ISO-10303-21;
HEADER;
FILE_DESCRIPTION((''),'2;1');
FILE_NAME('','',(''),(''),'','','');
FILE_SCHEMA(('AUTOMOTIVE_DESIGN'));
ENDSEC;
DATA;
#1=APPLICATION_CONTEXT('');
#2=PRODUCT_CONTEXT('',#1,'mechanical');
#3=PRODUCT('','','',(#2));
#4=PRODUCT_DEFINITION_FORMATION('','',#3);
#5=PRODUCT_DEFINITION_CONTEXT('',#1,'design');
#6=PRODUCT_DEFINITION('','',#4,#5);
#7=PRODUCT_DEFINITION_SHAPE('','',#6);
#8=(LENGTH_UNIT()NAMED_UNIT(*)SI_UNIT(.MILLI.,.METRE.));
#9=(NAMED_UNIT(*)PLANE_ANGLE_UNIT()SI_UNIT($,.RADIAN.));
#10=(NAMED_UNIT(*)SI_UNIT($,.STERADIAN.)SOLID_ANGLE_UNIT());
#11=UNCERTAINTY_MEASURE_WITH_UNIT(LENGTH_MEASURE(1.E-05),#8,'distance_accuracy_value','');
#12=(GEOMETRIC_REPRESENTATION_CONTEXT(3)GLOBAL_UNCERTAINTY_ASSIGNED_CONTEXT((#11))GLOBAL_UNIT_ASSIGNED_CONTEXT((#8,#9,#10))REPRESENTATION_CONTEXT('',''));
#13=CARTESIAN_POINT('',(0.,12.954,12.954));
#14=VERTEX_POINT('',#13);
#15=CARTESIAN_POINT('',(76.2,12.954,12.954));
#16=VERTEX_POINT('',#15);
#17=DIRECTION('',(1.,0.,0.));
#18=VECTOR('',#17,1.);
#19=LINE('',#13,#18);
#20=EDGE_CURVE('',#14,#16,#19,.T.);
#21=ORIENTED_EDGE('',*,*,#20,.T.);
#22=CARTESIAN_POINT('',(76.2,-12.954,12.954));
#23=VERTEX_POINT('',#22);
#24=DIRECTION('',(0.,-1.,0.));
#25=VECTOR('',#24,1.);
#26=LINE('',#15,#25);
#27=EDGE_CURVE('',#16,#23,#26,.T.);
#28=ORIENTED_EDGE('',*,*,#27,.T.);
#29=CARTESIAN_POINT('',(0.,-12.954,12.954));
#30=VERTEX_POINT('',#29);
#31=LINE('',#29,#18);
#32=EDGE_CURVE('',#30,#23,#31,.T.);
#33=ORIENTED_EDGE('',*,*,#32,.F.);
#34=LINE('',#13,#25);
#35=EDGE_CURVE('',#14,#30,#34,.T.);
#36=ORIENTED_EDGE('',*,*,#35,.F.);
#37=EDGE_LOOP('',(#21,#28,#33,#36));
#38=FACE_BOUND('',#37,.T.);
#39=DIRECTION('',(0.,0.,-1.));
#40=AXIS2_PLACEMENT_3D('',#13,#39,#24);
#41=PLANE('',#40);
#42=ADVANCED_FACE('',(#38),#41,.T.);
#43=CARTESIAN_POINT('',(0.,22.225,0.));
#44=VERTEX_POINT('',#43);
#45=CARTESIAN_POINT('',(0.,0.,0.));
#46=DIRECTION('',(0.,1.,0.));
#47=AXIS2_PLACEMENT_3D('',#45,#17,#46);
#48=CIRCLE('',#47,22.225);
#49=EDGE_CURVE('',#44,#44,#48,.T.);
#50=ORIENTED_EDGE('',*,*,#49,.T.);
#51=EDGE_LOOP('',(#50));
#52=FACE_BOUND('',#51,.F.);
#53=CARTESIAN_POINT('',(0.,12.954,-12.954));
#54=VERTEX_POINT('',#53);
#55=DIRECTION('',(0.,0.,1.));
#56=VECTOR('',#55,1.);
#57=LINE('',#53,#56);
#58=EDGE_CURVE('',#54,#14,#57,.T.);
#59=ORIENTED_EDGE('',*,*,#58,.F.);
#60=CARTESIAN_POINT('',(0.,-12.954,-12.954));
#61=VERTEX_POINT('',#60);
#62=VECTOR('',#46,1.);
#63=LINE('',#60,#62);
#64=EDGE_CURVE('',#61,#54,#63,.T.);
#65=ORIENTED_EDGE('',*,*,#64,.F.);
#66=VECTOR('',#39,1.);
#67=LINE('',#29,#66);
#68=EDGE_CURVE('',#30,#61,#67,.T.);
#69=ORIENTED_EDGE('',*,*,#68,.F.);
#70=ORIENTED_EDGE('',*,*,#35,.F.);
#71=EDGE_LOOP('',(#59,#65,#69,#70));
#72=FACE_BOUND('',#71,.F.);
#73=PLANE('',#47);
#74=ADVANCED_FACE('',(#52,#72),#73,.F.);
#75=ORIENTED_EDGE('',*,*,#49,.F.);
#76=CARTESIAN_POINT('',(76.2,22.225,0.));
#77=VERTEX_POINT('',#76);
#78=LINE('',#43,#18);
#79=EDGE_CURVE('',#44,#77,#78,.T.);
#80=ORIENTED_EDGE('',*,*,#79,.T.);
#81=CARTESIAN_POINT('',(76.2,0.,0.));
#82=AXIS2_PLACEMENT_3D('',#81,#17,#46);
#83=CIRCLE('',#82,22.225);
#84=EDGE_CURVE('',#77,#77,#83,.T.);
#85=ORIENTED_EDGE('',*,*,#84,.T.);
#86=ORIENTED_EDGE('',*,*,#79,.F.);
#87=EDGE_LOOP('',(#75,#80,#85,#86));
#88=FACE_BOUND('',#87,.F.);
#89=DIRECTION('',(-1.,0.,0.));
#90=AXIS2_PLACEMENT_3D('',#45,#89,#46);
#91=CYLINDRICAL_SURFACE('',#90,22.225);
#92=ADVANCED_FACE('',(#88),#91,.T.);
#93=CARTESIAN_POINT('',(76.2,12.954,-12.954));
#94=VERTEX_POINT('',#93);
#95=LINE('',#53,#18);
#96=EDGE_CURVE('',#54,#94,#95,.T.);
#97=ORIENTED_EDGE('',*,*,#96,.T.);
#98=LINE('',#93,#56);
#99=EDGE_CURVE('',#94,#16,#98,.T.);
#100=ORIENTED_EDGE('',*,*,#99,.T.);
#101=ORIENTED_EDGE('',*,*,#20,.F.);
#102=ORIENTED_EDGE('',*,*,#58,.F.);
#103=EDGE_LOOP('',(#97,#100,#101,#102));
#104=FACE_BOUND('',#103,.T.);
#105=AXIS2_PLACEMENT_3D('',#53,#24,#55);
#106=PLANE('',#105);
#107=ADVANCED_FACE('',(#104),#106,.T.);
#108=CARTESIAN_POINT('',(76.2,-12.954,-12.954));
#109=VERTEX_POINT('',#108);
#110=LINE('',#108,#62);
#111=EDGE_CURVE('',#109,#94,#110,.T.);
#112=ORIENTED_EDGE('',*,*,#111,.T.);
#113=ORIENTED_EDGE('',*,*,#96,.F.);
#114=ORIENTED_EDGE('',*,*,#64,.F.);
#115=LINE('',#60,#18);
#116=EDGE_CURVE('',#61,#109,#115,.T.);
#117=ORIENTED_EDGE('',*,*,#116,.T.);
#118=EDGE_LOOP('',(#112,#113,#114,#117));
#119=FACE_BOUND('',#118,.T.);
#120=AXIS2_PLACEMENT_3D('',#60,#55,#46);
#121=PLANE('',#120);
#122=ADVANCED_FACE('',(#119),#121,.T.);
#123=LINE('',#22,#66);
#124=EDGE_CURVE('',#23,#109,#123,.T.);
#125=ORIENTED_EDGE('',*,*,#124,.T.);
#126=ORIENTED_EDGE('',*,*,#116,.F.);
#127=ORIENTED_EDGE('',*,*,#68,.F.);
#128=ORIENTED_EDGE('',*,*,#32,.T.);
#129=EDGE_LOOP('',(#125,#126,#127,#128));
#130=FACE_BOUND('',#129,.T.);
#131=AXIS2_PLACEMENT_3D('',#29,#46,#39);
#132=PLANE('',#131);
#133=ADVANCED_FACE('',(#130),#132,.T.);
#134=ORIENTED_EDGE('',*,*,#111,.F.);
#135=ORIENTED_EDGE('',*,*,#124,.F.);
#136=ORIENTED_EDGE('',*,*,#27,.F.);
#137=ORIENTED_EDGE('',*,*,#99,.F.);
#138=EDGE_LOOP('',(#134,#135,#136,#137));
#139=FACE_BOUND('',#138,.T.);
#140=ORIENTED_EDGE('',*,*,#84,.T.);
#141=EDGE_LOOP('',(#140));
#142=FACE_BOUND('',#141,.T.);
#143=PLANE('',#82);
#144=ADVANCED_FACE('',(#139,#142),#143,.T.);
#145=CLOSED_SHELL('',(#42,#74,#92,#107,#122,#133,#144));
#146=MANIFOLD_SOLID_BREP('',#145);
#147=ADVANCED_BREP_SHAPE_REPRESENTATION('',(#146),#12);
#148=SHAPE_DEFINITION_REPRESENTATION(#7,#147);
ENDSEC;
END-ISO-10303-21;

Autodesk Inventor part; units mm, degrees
ref_plane "YZ Plane" through (0, 0, 0) normal (1, 0, 0) x (0, 1, 0)
ref_plane "XZ Plane" through (0, 0, 0) normal (0, 1, 0) x (-1, 0, 0)
ref_plane "XY Plane" through (0, 0, 0) normal (0, 0, 1) x (1, 0, 0)
sketch "Sketch1" plane through (0, 0, 0) normal (1, 0, 0) x (0, 1, 0)
  circle A0 centre (0, 0) radius 22.225
  line L0 (12.954, 12.954) -> (-12.954, 12.954)
  line L1 (-12.954, 12.954) -> (-12.954, -12.954)
  line L2 (-12.954, -12.954) -> (12.954, -12.954)
  line L3 (12.954, -12.954) -> (12.954, 12.954)
  dimension "d0" = 44.45
  dimension "d1" = 25.908
  dimension "d2" = 25.908
extrude "Extrusion1" add sketch "Sketch1" along normal blind 76.2
properties part number "220411 Small Rod Plain"
